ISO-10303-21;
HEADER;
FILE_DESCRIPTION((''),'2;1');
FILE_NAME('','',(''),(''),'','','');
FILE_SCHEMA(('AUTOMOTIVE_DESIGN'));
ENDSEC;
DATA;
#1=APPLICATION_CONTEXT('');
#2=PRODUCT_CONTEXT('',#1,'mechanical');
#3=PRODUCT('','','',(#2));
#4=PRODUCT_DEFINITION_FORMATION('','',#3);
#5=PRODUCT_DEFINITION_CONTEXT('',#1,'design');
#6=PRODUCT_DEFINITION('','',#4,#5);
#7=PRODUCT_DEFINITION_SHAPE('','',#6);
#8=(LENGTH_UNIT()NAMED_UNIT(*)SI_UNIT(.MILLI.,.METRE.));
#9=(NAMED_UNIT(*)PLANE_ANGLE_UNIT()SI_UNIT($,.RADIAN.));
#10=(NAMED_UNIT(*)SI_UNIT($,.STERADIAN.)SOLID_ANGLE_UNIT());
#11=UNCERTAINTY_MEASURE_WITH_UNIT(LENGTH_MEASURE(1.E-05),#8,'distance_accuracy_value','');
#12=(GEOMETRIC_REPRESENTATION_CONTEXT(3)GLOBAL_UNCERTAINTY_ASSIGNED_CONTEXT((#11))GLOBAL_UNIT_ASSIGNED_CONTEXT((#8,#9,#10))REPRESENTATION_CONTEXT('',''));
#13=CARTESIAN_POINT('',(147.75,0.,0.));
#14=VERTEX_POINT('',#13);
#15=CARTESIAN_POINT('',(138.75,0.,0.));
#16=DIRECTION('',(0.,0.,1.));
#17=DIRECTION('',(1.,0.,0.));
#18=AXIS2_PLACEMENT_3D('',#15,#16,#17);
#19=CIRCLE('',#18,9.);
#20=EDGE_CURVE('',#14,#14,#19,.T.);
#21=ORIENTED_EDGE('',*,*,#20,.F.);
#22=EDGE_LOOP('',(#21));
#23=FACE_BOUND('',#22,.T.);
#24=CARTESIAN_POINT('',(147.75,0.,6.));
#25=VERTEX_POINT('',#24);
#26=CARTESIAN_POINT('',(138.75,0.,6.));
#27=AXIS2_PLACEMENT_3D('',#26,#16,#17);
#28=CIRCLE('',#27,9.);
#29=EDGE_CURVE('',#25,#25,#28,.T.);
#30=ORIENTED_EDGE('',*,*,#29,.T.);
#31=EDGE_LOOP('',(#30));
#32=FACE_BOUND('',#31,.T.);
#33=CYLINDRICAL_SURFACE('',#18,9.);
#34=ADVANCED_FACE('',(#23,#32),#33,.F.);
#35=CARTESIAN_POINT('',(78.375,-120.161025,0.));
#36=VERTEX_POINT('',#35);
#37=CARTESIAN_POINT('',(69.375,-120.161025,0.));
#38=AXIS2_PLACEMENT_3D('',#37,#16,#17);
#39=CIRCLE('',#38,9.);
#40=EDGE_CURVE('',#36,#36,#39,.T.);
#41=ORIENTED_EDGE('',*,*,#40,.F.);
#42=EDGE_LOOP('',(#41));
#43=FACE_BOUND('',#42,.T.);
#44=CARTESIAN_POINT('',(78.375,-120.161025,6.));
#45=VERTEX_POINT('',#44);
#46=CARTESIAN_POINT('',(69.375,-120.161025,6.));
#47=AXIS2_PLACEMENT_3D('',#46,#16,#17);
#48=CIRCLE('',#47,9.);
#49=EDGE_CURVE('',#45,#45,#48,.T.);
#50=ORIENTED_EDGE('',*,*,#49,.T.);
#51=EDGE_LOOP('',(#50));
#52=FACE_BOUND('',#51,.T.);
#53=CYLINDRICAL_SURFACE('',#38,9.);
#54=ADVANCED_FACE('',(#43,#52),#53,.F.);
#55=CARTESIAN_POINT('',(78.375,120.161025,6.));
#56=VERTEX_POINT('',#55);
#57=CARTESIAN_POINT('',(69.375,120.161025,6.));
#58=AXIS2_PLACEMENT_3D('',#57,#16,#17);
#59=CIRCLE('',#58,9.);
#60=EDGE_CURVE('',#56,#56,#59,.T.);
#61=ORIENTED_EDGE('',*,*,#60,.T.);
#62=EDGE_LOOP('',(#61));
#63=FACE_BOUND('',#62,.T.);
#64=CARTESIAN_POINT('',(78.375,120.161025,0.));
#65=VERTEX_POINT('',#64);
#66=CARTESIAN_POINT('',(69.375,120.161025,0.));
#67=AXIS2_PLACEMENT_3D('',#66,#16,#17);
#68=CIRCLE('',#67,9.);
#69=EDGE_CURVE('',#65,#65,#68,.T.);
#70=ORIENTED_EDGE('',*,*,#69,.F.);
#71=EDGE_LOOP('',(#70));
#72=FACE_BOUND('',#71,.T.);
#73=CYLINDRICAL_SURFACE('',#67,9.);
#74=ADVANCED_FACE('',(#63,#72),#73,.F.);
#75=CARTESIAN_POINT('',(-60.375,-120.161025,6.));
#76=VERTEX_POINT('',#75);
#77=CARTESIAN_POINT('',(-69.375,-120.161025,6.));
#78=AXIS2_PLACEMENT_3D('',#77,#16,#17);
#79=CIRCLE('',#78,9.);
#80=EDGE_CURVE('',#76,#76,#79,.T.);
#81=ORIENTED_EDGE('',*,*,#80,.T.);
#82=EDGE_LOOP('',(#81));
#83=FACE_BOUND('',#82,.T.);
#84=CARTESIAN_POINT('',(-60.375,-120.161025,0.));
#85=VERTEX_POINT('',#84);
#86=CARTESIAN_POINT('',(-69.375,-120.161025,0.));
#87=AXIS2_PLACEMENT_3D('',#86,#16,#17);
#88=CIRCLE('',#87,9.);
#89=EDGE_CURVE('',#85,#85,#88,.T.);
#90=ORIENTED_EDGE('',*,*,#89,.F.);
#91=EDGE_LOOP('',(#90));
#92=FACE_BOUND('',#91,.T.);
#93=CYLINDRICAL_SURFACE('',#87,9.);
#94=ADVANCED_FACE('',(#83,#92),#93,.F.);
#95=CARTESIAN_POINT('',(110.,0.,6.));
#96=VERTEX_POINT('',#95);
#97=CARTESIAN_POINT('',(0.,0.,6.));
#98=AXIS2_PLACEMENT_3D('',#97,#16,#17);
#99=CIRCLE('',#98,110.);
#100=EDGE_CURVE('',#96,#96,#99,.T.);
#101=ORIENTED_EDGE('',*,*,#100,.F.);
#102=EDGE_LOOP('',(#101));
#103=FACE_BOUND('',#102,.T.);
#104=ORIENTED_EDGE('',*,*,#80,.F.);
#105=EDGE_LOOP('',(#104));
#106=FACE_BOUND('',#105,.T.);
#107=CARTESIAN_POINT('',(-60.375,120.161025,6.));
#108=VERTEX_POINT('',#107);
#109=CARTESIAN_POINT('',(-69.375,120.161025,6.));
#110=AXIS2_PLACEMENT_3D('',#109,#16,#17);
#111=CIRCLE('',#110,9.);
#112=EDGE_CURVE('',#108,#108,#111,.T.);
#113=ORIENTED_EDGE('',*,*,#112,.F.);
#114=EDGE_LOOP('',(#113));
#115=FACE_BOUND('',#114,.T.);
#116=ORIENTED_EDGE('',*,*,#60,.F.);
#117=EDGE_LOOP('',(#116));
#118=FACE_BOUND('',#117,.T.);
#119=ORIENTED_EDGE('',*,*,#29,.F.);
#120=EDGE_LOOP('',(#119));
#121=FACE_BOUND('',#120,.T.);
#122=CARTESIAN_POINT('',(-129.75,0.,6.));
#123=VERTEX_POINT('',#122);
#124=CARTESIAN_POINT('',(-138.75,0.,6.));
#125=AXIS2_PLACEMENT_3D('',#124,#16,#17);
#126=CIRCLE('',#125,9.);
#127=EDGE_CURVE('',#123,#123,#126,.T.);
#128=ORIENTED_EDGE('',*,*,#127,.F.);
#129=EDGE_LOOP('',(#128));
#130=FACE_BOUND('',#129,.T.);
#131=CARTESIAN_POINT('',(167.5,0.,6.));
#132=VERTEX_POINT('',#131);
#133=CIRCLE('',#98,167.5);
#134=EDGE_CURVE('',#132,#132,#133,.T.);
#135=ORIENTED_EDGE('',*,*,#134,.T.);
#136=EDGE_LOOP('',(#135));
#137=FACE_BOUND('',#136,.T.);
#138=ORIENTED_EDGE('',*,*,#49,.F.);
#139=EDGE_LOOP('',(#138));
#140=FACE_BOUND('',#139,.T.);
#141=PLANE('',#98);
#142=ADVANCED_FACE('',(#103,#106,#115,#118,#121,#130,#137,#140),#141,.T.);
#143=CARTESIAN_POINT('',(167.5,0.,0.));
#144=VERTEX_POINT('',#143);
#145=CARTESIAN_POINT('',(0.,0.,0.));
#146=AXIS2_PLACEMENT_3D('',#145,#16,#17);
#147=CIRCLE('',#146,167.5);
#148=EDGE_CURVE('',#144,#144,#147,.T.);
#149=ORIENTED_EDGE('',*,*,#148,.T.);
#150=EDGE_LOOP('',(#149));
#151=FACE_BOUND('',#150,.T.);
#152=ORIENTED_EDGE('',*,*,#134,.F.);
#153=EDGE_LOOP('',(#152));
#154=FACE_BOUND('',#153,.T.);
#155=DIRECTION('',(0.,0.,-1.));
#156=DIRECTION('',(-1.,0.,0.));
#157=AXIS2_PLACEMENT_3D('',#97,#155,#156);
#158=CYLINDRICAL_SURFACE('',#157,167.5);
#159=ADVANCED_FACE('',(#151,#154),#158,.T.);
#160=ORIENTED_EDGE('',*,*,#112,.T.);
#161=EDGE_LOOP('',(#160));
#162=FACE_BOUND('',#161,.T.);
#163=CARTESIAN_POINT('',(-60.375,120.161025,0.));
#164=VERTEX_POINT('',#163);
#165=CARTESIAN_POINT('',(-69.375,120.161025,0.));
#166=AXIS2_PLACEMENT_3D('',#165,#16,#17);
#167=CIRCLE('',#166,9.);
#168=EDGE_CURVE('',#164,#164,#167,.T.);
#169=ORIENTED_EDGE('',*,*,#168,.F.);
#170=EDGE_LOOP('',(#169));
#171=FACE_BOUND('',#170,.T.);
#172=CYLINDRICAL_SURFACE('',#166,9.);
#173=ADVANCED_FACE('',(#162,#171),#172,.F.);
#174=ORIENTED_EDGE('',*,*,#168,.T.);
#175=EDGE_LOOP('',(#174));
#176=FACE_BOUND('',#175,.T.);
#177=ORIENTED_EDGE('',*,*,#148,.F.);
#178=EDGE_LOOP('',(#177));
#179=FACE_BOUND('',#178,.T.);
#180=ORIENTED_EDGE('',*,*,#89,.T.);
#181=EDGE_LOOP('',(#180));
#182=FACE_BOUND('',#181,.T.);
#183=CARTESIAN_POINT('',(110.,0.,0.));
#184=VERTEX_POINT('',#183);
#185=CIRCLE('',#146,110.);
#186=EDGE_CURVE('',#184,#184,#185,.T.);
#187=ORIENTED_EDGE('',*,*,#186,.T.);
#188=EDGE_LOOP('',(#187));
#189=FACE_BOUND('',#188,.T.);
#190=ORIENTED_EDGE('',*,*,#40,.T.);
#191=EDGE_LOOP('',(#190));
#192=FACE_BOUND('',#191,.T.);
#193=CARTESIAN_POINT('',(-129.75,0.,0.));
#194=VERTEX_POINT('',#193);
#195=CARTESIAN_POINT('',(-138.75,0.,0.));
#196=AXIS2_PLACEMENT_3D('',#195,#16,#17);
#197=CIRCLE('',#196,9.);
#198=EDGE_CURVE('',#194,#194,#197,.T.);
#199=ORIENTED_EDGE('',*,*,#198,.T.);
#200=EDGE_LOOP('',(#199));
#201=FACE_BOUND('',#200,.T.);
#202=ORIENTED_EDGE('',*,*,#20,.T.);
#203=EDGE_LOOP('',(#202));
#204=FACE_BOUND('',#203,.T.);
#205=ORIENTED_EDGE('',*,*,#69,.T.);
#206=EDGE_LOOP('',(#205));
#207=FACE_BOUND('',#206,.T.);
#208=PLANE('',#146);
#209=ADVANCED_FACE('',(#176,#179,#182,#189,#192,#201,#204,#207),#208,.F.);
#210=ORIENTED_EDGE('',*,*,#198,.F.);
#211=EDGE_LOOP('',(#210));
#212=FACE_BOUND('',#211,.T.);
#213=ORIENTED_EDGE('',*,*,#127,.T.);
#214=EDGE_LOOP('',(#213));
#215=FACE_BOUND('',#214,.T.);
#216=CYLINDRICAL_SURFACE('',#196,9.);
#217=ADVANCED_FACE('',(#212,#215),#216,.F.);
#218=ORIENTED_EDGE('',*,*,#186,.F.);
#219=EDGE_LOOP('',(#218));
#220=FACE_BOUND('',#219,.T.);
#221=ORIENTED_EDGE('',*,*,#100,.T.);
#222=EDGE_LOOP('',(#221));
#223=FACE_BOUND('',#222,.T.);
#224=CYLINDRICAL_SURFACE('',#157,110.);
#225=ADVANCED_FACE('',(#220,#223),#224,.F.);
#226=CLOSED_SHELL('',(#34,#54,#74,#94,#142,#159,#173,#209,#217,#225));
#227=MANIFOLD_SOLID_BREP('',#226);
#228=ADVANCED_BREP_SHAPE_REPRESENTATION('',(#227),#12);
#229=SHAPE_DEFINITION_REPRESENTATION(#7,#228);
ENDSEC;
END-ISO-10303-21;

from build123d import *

# Parameters (mm, degrees)
SKETCH_1_R          = 167.5
SKETCH_1_R_2        = 110
EXTRUDE_1_DEPTH     = 6
SKETCH_2_R          = 9
CUT_EXTRUDE_1_DEPTH = 237.956747108


with BuildPart() as part:
    # Эскиз1 → Бобышка-Вытянуть1 (new body)
    with BuildSketch(Plane.XY):
        Circle(SKETCH_1_R)
        Circle(SKETCH_1_R_2, mode=Mode.SUBTRACT)
    extrude(amount=EXTRUDE_1_DEPTH)

    # Эскиз2 → Вырез-Вытянуть1 (cut, through all)
    with BuildSketch(Plane.XY.offset(6)):
        with Locations((-69.375, 120.161024775)):
            Circle(SKETCH_2_R)
        with Locations((69.375, 120.161024775)):
            Circle(SKETCH_2_R)
        with Locations((138.75, 0)):
            Circle(SKETCH_2_R)
        with Locations((69.375, -120.161024775)):
            Circle(SKETCH_2_R)
        with Locations((-69.375, -120.161024775)):
            Circle(SKETCH_2_R)
        with Locations((-138.75, 0)):
            Circle(SKETCH_2_R)
    extrude(amount=-CUT_EXTRUDE_1_DEPTH, mode=Mode.SUBTRACT)


solid = part.part
